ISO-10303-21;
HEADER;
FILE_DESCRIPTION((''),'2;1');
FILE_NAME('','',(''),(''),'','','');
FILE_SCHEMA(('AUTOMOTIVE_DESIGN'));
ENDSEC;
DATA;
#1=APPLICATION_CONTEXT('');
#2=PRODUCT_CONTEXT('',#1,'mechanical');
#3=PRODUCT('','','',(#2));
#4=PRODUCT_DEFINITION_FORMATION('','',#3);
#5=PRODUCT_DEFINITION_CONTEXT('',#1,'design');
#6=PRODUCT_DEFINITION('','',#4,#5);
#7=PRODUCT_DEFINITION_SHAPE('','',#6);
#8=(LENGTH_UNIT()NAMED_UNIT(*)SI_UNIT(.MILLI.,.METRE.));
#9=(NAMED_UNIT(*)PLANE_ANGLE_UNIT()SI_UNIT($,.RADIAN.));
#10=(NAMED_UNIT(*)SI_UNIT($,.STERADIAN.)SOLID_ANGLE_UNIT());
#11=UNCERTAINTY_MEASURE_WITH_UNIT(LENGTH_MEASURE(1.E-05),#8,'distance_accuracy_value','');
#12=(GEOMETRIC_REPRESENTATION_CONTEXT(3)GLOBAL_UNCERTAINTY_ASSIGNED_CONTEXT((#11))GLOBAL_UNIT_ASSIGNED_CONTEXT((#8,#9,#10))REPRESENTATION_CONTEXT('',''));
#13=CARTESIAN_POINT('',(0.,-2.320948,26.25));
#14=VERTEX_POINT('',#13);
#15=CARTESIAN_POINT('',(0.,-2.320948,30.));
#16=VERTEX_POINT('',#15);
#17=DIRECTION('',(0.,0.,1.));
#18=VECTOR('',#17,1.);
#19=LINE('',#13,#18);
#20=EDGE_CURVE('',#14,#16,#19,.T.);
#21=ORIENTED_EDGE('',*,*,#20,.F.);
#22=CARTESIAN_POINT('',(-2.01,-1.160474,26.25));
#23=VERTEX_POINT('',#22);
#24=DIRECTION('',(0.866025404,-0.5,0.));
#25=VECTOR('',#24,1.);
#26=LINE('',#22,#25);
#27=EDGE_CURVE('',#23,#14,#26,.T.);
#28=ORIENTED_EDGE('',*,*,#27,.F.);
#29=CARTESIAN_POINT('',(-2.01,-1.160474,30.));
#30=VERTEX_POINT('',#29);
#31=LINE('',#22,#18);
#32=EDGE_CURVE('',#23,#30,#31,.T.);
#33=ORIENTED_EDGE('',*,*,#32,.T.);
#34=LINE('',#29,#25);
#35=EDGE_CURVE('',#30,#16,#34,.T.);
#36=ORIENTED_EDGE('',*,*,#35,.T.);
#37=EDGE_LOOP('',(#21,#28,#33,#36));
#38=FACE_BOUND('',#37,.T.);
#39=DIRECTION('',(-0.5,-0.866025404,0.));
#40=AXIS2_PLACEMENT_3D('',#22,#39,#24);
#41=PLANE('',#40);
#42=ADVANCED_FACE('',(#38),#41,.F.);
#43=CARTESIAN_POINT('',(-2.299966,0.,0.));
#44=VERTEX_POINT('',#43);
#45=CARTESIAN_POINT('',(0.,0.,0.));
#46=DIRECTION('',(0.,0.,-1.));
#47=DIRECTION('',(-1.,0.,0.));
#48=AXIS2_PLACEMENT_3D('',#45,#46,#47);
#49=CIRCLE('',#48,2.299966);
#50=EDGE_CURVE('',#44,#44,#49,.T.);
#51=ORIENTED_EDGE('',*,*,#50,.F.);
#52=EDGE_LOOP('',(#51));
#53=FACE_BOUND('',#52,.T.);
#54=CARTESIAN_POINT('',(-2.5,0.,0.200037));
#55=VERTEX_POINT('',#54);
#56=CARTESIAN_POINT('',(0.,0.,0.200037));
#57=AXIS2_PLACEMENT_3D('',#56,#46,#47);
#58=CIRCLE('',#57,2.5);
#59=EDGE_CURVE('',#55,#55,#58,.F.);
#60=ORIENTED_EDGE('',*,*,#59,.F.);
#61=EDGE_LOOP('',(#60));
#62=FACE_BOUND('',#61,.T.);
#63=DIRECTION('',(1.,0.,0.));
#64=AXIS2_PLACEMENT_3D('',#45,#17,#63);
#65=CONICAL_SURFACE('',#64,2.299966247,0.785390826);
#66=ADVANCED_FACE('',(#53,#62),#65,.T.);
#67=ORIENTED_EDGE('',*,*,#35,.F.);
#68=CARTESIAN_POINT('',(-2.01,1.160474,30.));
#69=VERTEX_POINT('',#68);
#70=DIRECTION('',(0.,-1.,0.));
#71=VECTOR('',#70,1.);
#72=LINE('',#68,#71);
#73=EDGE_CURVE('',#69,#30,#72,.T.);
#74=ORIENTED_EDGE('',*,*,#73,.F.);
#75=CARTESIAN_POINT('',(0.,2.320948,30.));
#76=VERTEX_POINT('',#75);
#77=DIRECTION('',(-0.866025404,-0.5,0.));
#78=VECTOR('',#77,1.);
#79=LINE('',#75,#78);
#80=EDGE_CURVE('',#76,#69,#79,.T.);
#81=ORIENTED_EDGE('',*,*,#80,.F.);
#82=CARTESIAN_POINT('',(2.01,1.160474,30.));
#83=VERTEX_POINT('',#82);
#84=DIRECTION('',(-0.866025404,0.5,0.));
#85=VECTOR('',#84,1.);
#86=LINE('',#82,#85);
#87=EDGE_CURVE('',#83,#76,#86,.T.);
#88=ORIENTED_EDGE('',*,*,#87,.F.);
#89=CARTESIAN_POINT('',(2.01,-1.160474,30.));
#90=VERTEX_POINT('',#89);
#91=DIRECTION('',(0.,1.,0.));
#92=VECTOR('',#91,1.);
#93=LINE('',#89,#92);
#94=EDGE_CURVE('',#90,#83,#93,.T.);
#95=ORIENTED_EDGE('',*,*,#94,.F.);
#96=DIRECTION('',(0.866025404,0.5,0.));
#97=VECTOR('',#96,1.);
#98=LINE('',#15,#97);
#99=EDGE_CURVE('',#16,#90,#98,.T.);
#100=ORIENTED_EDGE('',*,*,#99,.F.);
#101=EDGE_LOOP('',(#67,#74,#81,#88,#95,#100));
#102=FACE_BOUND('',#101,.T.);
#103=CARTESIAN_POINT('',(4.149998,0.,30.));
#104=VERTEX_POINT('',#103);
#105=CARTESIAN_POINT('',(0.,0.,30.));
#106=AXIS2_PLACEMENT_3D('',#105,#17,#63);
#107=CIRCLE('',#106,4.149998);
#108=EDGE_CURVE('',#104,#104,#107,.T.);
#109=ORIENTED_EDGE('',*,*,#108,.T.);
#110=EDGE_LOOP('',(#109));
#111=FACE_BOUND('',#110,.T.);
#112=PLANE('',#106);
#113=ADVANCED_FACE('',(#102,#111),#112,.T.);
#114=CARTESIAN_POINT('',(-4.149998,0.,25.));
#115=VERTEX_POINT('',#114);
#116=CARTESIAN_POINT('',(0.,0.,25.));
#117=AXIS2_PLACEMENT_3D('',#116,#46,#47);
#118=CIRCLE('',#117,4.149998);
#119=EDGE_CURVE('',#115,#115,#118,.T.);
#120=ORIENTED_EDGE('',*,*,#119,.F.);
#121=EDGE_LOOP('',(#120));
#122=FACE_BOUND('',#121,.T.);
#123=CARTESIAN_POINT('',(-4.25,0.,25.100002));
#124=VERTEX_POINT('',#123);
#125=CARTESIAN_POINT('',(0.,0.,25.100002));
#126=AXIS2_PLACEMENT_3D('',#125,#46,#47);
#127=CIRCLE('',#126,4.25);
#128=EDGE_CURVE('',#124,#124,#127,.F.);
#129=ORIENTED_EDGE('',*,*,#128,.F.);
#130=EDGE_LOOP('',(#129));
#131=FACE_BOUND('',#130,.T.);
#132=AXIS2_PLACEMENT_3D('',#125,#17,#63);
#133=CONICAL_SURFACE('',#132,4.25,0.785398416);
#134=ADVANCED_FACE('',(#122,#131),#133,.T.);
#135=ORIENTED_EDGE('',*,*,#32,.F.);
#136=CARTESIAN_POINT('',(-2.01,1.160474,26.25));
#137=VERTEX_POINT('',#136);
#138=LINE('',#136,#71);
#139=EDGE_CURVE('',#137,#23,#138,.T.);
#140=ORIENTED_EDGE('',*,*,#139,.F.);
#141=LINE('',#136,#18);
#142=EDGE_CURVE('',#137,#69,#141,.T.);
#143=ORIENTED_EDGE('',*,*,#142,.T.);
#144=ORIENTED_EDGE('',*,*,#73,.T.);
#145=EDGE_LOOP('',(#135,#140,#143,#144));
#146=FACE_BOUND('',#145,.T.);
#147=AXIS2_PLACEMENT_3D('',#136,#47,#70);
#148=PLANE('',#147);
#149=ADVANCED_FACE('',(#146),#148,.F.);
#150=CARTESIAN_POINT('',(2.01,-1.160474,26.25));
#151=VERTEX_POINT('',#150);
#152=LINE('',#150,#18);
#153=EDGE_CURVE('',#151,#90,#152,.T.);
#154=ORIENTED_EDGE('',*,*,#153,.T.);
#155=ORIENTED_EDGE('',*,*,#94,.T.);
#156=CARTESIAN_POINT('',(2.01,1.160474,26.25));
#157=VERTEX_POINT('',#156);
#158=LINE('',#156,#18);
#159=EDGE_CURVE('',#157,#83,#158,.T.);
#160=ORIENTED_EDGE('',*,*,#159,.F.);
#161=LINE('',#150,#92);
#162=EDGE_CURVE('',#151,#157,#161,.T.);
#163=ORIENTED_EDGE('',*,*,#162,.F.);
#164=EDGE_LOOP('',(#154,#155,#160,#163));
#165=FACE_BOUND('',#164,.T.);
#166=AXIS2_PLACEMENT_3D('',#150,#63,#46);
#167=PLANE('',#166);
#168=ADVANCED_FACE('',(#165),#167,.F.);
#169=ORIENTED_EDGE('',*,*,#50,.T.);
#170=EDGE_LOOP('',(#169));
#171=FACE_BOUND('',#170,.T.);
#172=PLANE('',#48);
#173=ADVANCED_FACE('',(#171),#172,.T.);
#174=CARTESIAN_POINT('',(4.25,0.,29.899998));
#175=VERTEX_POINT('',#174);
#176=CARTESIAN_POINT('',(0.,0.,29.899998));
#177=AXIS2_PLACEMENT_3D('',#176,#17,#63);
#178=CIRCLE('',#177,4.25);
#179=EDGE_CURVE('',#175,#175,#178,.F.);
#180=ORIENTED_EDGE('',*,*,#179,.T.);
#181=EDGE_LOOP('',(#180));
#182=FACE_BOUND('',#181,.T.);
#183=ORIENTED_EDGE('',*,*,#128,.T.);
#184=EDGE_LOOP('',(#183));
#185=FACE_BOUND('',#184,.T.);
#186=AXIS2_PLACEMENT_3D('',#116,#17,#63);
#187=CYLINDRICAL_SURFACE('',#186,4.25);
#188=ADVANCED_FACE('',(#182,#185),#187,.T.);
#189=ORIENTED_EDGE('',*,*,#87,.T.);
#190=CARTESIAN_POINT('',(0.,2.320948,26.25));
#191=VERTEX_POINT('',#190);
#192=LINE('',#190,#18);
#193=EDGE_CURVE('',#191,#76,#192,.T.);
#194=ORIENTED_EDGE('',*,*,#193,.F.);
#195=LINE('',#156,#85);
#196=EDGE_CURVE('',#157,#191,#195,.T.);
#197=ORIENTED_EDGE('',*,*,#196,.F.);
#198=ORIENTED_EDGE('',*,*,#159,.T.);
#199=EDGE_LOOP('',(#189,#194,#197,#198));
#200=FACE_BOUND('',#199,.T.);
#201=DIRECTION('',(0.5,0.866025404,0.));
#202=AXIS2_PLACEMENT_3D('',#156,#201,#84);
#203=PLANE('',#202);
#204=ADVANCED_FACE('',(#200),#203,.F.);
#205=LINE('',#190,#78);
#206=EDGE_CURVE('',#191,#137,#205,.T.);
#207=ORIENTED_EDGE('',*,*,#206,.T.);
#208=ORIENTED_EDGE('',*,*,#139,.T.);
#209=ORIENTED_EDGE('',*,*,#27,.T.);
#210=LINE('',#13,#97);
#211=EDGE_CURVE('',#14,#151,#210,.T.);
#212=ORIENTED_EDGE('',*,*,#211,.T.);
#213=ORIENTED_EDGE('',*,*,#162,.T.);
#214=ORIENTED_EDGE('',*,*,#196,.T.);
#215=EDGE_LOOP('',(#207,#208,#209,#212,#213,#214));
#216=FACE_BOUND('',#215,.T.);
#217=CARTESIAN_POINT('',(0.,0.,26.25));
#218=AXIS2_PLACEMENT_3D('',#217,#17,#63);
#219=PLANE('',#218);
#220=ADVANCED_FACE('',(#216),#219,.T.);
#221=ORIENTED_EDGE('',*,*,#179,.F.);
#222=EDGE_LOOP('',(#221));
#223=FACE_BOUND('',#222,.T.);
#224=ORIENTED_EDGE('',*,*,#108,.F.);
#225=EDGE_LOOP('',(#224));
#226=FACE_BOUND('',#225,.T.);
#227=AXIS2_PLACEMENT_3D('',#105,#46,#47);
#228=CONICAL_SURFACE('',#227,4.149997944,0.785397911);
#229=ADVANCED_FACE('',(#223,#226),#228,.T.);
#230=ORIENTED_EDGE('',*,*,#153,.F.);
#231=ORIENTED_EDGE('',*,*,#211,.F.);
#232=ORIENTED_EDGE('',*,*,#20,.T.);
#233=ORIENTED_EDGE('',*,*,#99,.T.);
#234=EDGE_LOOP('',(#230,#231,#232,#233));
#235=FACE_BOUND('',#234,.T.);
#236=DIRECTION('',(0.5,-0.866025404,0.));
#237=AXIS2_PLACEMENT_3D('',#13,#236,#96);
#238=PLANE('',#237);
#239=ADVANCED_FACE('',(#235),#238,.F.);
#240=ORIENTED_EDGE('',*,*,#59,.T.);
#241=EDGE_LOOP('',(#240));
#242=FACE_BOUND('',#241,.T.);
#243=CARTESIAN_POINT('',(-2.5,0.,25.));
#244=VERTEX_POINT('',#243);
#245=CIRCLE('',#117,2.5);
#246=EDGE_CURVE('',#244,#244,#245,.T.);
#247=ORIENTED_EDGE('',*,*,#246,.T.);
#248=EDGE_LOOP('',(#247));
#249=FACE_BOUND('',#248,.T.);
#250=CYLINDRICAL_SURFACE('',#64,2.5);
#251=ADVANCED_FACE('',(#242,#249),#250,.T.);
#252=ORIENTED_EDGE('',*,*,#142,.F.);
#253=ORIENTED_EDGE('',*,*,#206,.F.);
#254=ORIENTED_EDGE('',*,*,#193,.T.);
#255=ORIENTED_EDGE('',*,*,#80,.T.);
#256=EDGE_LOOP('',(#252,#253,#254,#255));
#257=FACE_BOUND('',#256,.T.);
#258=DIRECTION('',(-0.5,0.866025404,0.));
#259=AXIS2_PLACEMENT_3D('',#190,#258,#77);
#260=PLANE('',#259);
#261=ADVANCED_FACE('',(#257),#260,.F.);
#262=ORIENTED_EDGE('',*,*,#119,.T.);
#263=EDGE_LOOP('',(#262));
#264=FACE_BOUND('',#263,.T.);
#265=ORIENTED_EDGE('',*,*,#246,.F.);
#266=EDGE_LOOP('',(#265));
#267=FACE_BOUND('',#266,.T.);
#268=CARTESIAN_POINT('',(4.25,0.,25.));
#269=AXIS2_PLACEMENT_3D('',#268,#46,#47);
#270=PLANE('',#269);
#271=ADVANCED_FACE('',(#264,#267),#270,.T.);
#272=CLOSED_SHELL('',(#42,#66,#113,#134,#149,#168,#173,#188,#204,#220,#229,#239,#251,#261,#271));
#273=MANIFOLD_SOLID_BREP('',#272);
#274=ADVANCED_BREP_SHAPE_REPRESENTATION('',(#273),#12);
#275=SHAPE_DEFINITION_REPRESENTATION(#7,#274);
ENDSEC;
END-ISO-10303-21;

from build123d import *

# Parameters (mm, degrees)
SKETCH_1_W          = 4.25
SKETCH_1_H          = 5
SKETCH_2_R          = 2.5
EXTRUDE_1_DEPTH     = 25
CUT_EXTRUDE_1_DEPTH = 3.75
CHAMFER_1_SIZE2     = 0.100002106
CHAMFER_1_SIZE      = 0.100002056
CHAMFER_2_SIZE      = 0.200033753
CHAMFER_2_SIZE2     = 0.200036689


with BuildPart() as part:
    # 草图1 → 旋转1 (revolve)
    with BuildSketch(Plane(origin=(0, 0, 0), x_dir=(1, 0, 0), z_dir=(0, 1, 0))):
        with Locations((2.125, -27.5)):
            Rectangle(SKETCH_1_W, SKETCH_1_H)
    revolve(axis=Axis((0, 0, 25), (0, 0, 1)))

    # 草图2 → 凸台-拉伸1 (add)
    with BuildSketch(Plane(origin=(0, 0, 25), x_dir=(-1, 0, 0), z_dir=(0, 0, -1))):
        Circle(SKETCH_2_R)
    extrude(amount=EXTRUDE_1_DEPTH)

    # 草图3 → 切除-拉伸1 (cut)
    with BuildSketch(Plane.XY.offset(30)):
        Polygon((-2.01, -1.160474041), (0, -2.320948082), (2.01, -1.160474041), (2.01, 1.160474041), (0, 2.320948082), (-2.01, 1.160474041), align=None)
    extrude(amount=-CUT_EXTRUDE_1_DEPTH, mode=Mode.SUBTRACT)

    # 倒角1
    chamfer_1_edges = [part.edges().sort_by_distance(p)[0] for p in [
        (-4.25, 0, 30),
        (-4.25, 0, 25),
    ]]
    chamfer(chamfer_1_edges, length=CHAMFER_1_SIZE, length2=CHAMFER_1_SIZE2)

    # 倒角2
    chamfer_2_edges = [part.edges().sort_by_distance(p)[0] for p in [
        (2.5, 0, 0),
    ]]
    chamfer_2_side = [part.faces().sort_by_distance(p)[0] for p in [
        (2.5, 0, 12.5),
    ]]
    chamfer(chamfer_2_edges, length=CHAMFER_2_SIZE, length2=CHAMFER_2_SIZE2, reference=chamfer_2_side[0])


solid = part.part
